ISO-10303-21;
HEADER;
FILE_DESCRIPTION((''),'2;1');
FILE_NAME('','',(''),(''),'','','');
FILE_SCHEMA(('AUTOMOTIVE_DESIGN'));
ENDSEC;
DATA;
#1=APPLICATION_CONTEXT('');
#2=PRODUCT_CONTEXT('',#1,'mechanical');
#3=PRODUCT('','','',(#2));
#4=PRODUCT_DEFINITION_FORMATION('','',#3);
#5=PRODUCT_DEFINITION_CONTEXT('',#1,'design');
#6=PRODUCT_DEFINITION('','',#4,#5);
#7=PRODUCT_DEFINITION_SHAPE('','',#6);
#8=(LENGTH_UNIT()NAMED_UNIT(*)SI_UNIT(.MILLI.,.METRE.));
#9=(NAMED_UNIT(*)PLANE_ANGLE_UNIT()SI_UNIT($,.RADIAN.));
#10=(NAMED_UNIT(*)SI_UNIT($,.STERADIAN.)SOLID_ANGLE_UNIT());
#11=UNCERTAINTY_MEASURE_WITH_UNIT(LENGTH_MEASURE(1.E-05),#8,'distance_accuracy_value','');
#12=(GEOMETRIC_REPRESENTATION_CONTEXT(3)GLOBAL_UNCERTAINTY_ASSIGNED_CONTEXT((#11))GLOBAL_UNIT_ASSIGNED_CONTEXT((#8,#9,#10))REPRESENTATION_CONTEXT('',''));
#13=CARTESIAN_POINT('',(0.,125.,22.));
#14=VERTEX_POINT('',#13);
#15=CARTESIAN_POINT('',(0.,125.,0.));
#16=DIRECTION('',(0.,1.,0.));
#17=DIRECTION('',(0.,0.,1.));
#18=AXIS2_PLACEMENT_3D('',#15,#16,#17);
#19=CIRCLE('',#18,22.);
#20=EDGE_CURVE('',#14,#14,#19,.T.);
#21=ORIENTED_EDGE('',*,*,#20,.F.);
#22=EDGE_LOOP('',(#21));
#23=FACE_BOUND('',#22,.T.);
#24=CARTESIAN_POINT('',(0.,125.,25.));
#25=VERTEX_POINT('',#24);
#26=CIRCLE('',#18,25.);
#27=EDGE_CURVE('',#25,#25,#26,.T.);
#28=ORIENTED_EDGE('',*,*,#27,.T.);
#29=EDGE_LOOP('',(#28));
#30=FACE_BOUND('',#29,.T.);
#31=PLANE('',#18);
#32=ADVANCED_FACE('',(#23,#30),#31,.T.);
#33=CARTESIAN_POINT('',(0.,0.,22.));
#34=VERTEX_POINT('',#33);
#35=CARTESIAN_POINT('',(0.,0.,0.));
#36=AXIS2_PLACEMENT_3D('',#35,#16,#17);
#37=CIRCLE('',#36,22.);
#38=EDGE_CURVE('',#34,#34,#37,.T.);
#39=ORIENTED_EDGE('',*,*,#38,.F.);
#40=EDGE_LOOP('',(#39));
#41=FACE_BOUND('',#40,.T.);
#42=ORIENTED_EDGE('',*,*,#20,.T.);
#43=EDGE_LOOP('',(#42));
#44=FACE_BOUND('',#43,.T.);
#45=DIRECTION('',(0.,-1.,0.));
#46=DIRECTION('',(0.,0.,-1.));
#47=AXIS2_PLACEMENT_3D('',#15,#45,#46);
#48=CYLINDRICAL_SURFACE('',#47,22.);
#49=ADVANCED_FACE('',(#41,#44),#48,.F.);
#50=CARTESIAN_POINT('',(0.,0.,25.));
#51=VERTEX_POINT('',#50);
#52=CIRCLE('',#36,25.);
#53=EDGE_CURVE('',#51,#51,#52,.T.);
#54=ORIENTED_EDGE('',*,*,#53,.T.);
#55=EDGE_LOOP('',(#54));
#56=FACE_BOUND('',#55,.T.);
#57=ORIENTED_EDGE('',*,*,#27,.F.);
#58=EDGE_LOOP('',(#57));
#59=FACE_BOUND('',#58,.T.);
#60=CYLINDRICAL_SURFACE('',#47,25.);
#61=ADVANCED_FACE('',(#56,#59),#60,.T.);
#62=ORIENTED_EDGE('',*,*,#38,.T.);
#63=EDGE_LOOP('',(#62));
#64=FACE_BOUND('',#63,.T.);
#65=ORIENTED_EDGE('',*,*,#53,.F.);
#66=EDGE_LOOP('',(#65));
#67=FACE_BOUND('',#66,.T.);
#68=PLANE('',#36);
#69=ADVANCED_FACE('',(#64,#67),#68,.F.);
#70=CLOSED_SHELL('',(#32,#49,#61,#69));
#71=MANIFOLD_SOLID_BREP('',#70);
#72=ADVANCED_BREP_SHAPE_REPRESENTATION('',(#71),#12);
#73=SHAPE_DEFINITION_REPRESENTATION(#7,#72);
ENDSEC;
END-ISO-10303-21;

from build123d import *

# Parameters (mm, degrees)
SKETCH_1_R      = 25
SKETCH_1_R_2    = 22
EXTRUDE_1_DEPTH = 125


with BuildPart() as part:
    # 草圖1 → 填料-伸長1 (new body)
    with BuildSketch(Plane(origin=(0, 0, 0), x_dir=(1, 0, 0), z_dir=(0, 1, 0))):
        Circle(SKETCH_1_R)
        Circle(SKETCH_1_R_2, mode=Mode.SUBTRACT)
    extrude(amount=EXTRUDE_1_DEPTH)


solid = part.part
